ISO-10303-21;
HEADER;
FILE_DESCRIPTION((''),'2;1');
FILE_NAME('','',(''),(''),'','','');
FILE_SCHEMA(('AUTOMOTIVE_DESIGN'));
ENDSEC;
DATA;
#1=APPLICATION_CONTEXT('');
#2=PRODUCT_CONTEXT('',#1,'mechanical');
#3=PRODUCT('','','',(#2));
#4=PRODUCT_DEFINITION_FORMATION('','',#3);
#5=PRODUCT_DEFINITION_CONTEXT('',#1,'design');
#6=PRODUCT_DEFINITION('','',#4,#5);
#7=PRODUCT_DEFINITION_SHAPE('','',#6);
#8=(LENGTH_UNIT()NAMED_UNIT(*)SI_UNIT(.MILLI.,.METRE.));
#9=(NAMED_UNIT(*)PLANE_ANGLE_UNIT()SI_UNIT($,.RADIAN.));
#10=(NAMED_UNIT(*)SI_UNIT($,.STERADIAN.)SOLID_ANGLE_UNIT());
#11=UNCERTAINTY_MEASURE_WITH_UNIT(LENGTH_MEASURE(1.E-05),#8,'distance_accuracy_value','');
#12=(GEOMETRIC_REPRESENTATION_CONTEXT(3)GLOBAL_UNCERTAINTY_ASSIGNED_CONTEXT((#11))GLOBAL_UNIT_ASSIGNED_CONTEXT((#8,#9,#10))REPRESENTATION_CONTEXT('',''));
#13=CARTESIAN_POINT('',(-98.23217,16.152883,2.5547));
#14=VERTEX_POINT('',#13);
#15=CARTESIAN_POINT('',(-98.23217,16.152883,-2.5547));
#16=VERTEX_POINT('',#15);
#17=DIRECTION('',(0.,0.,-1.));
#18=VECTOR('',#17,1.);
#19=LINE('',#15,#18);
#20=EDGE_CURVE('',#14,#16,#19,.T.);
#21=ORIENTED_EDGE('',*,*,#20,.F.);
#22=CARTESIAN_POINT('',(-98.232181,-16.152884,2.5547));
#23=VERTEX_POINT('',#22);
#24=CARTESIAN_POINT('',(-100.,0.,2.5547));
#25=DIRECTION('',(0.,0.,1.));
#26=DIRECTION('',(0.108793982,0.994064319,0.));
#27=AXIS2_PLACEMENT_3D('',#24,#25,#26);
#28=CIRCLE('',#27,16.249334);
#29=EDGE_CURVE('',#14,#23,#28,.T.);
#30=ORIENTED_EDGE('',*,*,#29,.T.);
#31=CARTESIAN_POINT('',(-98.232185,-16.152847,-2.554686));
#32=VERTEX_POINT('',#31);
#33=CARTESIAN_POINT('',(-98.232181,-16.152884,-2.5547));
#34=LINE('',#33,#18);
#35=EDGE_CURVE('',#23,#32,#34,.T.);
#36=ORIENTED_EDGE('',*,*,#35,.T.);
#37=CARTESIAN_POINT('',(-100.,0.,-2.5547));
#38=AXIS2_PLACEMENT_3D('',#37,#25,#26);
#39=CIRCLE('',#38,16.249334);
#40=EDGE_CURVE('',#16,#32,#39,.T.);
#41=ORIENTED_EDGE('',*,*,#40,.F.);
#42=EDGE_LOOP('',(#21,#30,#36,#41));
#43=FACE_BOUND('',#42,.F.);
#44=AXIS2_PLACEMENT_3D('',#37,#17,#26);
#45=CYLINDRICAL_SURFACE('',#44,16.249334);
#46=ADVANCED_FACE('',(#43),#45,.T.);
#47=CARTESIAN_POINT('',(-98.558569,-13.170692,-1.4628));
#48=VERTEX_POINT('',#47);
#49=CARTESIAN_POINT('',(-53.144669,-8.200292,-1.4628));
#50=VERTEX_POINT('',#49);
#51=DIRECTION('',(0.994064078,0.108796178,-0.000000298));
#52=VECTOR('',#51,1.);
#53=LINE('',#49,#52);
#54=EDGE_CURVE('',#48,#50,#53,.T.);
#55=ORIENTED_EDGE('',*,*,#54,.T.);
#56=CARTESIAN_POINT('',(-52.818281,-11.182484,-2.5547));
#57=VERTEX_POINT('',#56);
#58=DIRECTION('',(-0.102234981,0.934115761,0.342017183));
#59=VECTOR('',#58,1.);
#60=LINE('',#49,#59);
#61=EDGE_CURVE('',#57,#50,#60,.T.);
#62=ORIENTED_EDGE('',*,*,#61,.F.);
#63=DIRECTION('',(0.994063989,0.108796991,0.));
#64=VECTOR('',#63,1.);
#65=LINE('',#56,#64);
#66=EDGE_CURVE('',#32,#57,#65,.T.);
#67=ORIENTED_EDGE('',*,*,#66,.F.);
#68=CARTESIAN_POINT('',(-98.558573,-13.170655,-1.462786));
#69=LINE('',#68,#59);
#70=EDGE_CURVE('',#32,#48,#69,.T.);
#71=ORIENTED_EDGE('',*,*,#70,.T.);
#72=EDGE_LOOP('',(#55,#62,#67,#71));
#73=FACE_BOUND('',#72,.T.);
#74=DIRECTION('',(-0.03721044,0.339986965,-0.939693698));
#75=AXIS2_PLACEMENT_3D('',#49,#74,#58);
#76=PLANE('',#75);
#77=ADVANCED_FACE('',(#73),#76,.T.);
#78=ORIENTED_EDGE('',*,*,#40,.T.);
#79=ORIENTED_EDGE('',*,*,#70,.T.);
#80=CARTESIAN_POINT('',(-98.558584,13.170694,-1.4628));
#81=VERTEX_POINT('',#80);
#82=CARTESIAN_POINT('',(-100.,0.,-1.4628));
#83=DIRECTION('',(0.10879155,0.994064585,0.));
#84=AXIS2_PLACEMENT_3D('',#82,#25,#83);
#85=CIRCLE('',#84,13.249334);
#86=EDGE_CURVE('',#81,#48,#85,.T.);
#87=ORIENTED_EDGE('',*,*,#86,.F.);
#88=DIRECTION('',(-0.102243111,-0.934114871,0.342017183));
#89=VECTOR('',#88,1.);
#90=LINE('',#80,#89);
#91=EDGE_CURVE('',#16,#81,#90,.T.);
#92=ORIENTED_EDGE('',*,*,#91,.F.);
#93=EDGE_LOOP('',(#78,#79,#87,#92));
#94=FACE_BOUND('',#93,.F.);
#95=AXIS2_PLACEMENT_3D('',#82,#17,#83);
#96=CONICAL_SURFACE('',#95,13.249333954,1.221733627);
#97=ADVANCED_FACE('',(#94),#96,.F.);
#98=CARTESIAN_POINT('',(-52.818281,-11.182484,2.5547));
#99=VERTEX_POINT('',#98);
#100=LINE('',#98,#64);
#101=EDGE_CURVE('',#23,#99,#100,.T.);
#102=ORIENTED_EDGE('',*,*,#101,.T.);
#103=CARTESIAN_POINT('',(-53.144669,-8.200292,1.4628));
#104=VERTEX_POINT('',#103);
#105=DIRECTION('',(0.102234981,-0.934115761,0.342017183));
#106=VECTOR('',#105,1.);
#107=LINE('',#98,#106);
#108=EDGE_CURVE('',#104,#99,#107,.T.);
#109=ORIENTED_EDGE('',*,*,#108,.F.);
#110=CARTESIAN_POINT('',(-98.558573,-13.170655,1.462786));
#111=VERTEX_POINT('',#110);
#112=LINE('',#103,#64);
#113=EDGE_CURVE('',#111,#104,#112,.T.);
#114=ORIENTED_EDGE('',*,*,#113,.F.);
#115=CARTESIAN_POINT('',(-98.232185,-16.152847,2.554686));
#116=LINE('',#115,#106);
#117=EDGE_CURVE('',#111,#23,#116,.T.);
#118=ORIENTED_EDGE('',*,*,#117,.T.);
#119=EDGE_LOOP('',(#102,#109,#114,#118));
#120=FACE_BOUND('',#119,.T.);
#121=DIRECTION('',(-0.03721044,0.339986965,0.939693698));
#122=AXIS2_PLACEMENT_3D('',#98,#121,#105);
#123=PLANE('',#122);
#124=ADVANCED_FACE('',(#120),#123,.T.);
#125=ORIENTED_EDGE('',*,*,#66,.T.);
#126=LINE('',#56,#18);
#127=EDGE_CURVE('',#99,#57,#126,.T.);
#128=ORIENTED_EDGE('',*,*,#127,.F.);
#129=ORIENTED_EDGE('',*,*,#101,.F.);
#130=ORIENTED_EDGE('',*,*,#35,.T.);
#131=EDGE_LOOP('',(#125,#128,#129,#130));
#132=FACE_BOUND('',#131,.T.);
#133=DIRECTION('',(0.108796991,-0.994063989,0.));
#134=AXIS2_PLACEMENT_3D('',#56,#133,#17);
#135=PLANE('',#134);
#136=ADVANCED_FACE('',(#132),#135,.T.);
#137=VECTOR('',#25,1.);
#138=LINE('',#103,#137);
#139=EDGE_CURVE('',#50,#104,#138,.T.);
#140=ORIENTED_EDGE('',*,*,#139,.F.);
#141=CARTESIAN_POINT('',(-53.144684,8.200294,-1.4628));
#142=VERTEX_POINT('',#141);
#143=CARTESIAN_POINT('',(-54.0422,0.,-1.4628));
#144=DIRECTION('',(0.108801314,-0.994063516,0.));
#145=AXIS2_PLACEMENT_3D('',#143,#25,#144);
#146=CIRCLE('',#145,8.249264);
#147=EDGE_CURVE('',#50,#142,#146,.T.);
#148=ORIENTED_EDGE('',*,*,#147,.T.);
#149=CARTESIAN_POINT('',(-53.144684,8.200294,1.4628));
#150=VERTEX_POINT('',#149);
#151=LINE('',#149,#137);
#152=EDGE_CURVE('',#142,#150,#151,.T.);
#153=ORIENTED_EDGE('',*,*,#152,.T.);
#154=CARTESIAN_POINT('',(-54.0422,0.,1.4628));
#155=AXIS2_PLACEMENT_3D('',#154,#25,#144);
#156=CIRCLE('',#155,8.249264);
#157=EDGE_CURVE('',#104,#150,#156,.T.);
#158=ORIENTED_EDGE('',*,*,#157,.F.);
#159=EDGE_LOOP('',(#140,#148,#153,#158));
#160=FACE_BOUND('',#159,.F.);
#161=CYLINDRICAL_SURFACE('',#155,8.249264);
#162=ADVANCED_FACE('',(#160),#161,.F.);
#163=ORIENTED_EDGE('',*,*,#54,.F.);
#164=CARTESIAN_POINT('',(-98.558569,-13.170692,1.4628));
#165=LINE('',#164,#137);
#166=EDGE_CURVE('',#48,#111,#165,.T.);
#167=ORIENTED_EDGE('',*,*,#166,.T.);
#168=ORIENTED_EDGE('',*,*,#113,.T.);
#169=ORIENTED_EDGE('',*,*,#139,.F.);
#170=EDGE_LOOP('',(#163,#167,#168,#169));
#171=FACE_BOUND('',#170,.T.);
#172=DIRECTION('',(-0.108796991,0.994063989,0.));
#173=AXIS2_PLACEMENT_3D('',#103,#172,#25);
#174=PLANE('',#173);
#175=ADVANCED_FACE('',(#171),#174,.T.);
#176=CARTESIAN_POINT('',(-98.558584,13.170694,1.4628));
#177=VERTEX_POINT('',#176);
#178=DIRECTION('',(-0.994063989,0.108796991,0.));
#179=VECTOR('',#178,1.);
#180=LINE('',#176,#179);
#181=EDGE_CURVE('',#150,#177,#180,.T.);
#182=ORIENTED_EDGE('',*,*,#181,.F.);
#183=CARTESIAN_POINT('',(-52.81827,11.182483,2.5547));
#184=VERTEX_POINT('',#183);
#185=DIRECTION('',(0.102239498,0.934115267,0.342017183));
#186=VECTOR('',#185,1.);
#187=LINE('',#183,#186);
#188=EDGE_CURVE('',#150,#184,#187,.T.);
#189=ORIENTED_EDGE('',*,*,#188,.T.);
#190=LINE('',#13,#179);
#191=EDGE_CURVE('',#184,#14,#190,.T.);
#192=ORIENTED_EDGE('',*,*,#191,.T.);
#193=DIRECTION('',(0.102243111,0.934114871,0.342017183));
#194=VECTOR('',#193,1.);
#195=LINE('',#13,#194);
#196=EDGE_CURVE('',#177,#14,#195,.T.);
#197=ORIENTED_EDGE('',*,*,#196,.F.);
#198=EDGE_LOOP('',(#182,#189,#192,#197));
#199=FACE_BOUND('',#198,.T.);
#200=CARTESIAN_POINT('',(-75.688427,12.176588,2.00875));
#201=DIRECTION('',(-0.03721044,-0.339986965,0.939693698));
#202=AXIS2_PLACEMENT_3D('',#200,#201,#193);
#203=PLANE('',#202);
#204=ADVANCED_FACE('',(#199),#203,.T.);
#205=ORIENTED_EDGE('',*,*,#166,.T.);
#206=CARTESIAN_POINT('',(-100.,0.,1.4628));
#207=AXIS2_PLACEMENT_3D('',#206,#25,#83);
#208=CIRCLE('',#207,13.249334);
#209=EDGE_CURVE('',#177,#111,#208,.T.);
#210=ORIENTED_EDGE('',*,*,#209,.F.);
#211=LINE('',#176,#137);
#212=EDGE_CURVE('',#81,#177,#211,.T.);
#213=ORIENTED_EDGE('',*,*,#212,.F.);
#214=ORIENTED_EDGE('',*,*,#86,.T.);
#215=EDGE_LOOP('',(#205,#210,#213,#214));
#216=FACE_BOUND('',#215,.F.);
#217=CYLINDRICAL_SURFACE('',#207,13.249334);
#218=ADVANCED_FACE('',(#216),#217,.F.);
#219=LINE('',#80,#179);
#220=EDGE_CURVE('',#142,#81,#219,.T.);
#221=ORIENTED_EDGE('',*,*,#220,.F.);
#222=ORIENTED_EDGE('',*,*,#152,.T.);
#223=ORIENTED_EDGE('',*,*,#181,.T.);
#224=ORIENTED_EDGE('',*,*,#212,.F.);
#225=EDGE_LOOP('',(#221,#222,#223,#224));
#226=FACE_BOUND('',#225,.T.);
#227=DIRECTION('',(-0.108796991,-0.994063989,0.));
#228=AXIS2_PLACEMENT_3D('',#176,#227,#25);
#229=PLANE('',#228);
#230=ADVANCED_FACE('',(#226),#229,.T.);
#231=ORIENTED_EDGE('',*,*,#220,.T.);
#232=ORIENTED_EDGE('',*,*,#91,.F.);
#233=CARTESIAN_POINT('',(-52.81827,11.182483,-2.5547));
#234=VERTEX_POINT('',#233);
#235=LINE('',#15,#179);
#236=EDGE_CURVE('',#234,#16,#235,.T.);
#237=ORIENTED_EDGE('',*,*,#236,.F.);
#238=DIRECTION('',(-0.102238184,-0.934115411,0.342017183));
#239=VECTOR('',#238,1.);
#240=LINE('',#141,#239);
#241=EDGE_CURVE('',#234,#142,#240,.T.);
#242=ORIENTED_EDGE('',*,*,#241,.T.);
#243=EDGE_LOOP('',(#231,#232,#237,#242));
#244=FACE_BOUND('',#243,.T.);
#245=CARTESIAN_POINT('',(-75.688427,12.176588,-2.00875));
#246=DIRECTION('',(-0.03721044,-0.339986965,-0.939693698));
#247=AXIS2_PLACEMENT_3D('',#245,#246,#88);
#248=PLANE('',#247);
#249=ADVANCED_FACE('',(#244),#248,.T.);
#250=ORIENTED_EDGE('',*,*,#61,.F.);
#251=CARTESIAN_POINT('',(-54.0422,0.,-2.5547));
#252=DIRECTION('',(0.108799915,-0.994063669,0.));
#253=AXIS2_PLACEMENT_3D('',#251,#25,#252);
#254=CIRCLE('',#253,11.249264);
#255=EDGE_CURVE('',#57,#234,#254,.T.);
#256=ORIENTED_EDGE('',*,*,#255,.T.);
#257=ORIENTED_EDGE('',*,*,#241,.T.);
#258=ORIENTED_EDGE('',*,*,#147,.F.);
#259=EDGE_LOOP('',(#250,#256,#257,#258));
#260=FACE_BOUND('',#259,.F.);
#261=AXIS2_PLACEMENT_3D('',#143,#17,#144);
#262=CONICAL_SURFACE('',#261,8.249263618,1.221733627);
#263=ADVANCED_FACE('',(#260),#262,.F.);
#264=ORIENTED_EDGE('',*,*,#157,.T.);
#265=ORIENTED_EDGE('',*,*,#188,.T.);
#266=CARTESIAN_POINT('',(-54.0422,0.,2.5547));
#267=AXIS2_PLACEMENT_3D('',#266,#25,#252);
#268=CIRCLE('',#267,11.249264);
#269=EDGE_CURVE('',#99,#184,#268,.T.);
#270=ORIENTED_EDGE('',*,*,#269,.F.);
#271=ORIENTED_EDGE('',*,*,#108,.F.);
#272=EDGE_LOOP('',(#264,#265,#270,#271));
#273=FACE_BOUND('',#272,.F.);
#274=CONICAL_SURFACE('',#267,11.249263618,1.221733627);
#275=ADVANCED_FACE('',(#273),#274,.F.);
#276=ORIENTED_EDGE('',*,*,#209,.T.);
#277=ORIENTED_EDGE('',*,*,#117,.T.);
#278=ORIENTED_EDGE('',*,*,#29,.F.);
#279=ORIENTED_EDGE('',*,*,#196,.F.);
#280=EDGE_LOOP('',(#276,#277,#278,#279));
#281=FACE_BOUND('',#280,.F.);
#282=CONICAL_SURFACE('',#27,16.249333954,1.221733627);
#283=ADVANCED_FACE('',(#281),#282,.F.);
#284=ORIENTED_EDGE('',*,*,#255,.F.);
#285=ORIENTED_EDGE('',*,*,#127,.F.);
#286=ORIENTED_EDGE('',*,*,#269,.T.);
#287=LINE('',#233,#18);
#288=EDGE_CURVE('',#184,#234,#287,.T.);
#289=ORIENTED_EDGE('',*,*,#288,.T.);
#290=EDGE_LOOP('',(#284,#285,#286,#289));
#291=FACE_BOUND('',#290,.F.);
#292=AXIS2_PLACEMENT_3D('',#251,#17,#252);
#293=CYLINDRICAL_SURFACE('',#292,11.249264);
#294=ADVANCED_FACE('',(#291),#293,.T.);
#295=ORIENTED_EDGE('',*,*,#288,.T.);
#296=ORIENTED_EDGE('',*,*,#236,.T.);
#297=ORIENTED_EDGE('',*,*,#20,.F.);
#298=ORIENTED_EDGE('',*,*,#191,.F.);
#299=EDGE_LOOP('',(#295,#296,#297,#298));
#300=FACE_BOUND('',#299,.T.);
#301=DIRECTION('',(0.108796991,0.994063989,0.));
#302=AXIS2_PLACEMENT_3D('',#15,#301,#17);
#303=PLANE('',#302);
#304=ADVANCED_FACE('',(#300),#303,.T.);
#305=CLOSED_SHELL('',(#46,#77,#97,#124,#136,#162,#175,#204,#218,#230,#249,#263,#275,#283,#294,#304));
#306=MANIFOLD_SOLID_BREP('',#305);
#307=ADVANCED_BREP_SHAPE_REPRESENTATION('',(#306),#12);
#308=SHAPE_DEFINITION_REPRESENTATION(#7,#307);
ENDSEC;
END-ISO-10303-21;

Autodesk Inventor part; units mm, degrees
ref_plane "YZ Plane" through (0, 0, 0) normal (1, 0, 0) x (0, 1, 0)
ref_plane "XZ Plane" through (0, 0, 0) normal (0, 1, 0) x (-1, 0, 0)
sketch "Skizzenpfad" plane through (0, 0, 0) normal (0, 0, 1) x (1, 0, 0)
  arc A0 (-98.3681, 14.911) -> (-98.3681, -14.911) centre (-100, 0) ccw
  arc A1 (-52.9542, -9.9406) -> (-52.9542, 9.9406) centre (-54.0422, 0) ccw
  line L0 (-52.9542, -9.9406) -> (-98.3681, -14.911)
  line L1 (-98.3681, 14.911) -> (-52.9542, 9.9406)
ref_plane "Querschnittsebene" through (-98.3681, -14.911, 0) normal (0.9941, 0.1088, 0) x (0, 0, 1)
sketch "Querschnitt" plane through (-98.3681, -14.911, 0) normal (0.9941, 0.1088, 0) x (0, 0, 1)
  line L0 (0, 1.2493) -> (0, -1.7507) construction
  line L1 (-2.1, 0) -> (2.1, 0) construction
  line L2 (-2.5547, 1.2493) -> (2.5547, 1.2493)
  line L3 (2.5547, 1.2493) -> (1.4628, -1.7507)
  line L4 (1.4628, -1.7507) -> (-1.4628, -1.7507)
  line L5 (-1.4628, -1.7507) -> (-2.5547, 1.2493)
  point P0 (0, 0)
  point P1 (0, 0)
  point P2 (0, 0)
  dimension "d0" = 4.2
  dimension "d1" = 1.2493
  dimension "d2" = 40
  dimension "d3" = 3
sweep "Riemen" add profiles "Querschnitt" path "Skizzenpfad"
equation "\"d0\" = da_Bw"
equation "\"d1\" = da_Hw"
equation "\"d2\" = da_Alfa"
equation "\"d3\" = da_H"
equation "\"da_Alfa\" = 40deg"
equation "\"da_H\" = 3"
equation "\"da_Bw\" = 4.2"
equation "\"da_Hw\" = 1.2493"
properties part number "Klapp_Keilriemen" material "Rubber"
